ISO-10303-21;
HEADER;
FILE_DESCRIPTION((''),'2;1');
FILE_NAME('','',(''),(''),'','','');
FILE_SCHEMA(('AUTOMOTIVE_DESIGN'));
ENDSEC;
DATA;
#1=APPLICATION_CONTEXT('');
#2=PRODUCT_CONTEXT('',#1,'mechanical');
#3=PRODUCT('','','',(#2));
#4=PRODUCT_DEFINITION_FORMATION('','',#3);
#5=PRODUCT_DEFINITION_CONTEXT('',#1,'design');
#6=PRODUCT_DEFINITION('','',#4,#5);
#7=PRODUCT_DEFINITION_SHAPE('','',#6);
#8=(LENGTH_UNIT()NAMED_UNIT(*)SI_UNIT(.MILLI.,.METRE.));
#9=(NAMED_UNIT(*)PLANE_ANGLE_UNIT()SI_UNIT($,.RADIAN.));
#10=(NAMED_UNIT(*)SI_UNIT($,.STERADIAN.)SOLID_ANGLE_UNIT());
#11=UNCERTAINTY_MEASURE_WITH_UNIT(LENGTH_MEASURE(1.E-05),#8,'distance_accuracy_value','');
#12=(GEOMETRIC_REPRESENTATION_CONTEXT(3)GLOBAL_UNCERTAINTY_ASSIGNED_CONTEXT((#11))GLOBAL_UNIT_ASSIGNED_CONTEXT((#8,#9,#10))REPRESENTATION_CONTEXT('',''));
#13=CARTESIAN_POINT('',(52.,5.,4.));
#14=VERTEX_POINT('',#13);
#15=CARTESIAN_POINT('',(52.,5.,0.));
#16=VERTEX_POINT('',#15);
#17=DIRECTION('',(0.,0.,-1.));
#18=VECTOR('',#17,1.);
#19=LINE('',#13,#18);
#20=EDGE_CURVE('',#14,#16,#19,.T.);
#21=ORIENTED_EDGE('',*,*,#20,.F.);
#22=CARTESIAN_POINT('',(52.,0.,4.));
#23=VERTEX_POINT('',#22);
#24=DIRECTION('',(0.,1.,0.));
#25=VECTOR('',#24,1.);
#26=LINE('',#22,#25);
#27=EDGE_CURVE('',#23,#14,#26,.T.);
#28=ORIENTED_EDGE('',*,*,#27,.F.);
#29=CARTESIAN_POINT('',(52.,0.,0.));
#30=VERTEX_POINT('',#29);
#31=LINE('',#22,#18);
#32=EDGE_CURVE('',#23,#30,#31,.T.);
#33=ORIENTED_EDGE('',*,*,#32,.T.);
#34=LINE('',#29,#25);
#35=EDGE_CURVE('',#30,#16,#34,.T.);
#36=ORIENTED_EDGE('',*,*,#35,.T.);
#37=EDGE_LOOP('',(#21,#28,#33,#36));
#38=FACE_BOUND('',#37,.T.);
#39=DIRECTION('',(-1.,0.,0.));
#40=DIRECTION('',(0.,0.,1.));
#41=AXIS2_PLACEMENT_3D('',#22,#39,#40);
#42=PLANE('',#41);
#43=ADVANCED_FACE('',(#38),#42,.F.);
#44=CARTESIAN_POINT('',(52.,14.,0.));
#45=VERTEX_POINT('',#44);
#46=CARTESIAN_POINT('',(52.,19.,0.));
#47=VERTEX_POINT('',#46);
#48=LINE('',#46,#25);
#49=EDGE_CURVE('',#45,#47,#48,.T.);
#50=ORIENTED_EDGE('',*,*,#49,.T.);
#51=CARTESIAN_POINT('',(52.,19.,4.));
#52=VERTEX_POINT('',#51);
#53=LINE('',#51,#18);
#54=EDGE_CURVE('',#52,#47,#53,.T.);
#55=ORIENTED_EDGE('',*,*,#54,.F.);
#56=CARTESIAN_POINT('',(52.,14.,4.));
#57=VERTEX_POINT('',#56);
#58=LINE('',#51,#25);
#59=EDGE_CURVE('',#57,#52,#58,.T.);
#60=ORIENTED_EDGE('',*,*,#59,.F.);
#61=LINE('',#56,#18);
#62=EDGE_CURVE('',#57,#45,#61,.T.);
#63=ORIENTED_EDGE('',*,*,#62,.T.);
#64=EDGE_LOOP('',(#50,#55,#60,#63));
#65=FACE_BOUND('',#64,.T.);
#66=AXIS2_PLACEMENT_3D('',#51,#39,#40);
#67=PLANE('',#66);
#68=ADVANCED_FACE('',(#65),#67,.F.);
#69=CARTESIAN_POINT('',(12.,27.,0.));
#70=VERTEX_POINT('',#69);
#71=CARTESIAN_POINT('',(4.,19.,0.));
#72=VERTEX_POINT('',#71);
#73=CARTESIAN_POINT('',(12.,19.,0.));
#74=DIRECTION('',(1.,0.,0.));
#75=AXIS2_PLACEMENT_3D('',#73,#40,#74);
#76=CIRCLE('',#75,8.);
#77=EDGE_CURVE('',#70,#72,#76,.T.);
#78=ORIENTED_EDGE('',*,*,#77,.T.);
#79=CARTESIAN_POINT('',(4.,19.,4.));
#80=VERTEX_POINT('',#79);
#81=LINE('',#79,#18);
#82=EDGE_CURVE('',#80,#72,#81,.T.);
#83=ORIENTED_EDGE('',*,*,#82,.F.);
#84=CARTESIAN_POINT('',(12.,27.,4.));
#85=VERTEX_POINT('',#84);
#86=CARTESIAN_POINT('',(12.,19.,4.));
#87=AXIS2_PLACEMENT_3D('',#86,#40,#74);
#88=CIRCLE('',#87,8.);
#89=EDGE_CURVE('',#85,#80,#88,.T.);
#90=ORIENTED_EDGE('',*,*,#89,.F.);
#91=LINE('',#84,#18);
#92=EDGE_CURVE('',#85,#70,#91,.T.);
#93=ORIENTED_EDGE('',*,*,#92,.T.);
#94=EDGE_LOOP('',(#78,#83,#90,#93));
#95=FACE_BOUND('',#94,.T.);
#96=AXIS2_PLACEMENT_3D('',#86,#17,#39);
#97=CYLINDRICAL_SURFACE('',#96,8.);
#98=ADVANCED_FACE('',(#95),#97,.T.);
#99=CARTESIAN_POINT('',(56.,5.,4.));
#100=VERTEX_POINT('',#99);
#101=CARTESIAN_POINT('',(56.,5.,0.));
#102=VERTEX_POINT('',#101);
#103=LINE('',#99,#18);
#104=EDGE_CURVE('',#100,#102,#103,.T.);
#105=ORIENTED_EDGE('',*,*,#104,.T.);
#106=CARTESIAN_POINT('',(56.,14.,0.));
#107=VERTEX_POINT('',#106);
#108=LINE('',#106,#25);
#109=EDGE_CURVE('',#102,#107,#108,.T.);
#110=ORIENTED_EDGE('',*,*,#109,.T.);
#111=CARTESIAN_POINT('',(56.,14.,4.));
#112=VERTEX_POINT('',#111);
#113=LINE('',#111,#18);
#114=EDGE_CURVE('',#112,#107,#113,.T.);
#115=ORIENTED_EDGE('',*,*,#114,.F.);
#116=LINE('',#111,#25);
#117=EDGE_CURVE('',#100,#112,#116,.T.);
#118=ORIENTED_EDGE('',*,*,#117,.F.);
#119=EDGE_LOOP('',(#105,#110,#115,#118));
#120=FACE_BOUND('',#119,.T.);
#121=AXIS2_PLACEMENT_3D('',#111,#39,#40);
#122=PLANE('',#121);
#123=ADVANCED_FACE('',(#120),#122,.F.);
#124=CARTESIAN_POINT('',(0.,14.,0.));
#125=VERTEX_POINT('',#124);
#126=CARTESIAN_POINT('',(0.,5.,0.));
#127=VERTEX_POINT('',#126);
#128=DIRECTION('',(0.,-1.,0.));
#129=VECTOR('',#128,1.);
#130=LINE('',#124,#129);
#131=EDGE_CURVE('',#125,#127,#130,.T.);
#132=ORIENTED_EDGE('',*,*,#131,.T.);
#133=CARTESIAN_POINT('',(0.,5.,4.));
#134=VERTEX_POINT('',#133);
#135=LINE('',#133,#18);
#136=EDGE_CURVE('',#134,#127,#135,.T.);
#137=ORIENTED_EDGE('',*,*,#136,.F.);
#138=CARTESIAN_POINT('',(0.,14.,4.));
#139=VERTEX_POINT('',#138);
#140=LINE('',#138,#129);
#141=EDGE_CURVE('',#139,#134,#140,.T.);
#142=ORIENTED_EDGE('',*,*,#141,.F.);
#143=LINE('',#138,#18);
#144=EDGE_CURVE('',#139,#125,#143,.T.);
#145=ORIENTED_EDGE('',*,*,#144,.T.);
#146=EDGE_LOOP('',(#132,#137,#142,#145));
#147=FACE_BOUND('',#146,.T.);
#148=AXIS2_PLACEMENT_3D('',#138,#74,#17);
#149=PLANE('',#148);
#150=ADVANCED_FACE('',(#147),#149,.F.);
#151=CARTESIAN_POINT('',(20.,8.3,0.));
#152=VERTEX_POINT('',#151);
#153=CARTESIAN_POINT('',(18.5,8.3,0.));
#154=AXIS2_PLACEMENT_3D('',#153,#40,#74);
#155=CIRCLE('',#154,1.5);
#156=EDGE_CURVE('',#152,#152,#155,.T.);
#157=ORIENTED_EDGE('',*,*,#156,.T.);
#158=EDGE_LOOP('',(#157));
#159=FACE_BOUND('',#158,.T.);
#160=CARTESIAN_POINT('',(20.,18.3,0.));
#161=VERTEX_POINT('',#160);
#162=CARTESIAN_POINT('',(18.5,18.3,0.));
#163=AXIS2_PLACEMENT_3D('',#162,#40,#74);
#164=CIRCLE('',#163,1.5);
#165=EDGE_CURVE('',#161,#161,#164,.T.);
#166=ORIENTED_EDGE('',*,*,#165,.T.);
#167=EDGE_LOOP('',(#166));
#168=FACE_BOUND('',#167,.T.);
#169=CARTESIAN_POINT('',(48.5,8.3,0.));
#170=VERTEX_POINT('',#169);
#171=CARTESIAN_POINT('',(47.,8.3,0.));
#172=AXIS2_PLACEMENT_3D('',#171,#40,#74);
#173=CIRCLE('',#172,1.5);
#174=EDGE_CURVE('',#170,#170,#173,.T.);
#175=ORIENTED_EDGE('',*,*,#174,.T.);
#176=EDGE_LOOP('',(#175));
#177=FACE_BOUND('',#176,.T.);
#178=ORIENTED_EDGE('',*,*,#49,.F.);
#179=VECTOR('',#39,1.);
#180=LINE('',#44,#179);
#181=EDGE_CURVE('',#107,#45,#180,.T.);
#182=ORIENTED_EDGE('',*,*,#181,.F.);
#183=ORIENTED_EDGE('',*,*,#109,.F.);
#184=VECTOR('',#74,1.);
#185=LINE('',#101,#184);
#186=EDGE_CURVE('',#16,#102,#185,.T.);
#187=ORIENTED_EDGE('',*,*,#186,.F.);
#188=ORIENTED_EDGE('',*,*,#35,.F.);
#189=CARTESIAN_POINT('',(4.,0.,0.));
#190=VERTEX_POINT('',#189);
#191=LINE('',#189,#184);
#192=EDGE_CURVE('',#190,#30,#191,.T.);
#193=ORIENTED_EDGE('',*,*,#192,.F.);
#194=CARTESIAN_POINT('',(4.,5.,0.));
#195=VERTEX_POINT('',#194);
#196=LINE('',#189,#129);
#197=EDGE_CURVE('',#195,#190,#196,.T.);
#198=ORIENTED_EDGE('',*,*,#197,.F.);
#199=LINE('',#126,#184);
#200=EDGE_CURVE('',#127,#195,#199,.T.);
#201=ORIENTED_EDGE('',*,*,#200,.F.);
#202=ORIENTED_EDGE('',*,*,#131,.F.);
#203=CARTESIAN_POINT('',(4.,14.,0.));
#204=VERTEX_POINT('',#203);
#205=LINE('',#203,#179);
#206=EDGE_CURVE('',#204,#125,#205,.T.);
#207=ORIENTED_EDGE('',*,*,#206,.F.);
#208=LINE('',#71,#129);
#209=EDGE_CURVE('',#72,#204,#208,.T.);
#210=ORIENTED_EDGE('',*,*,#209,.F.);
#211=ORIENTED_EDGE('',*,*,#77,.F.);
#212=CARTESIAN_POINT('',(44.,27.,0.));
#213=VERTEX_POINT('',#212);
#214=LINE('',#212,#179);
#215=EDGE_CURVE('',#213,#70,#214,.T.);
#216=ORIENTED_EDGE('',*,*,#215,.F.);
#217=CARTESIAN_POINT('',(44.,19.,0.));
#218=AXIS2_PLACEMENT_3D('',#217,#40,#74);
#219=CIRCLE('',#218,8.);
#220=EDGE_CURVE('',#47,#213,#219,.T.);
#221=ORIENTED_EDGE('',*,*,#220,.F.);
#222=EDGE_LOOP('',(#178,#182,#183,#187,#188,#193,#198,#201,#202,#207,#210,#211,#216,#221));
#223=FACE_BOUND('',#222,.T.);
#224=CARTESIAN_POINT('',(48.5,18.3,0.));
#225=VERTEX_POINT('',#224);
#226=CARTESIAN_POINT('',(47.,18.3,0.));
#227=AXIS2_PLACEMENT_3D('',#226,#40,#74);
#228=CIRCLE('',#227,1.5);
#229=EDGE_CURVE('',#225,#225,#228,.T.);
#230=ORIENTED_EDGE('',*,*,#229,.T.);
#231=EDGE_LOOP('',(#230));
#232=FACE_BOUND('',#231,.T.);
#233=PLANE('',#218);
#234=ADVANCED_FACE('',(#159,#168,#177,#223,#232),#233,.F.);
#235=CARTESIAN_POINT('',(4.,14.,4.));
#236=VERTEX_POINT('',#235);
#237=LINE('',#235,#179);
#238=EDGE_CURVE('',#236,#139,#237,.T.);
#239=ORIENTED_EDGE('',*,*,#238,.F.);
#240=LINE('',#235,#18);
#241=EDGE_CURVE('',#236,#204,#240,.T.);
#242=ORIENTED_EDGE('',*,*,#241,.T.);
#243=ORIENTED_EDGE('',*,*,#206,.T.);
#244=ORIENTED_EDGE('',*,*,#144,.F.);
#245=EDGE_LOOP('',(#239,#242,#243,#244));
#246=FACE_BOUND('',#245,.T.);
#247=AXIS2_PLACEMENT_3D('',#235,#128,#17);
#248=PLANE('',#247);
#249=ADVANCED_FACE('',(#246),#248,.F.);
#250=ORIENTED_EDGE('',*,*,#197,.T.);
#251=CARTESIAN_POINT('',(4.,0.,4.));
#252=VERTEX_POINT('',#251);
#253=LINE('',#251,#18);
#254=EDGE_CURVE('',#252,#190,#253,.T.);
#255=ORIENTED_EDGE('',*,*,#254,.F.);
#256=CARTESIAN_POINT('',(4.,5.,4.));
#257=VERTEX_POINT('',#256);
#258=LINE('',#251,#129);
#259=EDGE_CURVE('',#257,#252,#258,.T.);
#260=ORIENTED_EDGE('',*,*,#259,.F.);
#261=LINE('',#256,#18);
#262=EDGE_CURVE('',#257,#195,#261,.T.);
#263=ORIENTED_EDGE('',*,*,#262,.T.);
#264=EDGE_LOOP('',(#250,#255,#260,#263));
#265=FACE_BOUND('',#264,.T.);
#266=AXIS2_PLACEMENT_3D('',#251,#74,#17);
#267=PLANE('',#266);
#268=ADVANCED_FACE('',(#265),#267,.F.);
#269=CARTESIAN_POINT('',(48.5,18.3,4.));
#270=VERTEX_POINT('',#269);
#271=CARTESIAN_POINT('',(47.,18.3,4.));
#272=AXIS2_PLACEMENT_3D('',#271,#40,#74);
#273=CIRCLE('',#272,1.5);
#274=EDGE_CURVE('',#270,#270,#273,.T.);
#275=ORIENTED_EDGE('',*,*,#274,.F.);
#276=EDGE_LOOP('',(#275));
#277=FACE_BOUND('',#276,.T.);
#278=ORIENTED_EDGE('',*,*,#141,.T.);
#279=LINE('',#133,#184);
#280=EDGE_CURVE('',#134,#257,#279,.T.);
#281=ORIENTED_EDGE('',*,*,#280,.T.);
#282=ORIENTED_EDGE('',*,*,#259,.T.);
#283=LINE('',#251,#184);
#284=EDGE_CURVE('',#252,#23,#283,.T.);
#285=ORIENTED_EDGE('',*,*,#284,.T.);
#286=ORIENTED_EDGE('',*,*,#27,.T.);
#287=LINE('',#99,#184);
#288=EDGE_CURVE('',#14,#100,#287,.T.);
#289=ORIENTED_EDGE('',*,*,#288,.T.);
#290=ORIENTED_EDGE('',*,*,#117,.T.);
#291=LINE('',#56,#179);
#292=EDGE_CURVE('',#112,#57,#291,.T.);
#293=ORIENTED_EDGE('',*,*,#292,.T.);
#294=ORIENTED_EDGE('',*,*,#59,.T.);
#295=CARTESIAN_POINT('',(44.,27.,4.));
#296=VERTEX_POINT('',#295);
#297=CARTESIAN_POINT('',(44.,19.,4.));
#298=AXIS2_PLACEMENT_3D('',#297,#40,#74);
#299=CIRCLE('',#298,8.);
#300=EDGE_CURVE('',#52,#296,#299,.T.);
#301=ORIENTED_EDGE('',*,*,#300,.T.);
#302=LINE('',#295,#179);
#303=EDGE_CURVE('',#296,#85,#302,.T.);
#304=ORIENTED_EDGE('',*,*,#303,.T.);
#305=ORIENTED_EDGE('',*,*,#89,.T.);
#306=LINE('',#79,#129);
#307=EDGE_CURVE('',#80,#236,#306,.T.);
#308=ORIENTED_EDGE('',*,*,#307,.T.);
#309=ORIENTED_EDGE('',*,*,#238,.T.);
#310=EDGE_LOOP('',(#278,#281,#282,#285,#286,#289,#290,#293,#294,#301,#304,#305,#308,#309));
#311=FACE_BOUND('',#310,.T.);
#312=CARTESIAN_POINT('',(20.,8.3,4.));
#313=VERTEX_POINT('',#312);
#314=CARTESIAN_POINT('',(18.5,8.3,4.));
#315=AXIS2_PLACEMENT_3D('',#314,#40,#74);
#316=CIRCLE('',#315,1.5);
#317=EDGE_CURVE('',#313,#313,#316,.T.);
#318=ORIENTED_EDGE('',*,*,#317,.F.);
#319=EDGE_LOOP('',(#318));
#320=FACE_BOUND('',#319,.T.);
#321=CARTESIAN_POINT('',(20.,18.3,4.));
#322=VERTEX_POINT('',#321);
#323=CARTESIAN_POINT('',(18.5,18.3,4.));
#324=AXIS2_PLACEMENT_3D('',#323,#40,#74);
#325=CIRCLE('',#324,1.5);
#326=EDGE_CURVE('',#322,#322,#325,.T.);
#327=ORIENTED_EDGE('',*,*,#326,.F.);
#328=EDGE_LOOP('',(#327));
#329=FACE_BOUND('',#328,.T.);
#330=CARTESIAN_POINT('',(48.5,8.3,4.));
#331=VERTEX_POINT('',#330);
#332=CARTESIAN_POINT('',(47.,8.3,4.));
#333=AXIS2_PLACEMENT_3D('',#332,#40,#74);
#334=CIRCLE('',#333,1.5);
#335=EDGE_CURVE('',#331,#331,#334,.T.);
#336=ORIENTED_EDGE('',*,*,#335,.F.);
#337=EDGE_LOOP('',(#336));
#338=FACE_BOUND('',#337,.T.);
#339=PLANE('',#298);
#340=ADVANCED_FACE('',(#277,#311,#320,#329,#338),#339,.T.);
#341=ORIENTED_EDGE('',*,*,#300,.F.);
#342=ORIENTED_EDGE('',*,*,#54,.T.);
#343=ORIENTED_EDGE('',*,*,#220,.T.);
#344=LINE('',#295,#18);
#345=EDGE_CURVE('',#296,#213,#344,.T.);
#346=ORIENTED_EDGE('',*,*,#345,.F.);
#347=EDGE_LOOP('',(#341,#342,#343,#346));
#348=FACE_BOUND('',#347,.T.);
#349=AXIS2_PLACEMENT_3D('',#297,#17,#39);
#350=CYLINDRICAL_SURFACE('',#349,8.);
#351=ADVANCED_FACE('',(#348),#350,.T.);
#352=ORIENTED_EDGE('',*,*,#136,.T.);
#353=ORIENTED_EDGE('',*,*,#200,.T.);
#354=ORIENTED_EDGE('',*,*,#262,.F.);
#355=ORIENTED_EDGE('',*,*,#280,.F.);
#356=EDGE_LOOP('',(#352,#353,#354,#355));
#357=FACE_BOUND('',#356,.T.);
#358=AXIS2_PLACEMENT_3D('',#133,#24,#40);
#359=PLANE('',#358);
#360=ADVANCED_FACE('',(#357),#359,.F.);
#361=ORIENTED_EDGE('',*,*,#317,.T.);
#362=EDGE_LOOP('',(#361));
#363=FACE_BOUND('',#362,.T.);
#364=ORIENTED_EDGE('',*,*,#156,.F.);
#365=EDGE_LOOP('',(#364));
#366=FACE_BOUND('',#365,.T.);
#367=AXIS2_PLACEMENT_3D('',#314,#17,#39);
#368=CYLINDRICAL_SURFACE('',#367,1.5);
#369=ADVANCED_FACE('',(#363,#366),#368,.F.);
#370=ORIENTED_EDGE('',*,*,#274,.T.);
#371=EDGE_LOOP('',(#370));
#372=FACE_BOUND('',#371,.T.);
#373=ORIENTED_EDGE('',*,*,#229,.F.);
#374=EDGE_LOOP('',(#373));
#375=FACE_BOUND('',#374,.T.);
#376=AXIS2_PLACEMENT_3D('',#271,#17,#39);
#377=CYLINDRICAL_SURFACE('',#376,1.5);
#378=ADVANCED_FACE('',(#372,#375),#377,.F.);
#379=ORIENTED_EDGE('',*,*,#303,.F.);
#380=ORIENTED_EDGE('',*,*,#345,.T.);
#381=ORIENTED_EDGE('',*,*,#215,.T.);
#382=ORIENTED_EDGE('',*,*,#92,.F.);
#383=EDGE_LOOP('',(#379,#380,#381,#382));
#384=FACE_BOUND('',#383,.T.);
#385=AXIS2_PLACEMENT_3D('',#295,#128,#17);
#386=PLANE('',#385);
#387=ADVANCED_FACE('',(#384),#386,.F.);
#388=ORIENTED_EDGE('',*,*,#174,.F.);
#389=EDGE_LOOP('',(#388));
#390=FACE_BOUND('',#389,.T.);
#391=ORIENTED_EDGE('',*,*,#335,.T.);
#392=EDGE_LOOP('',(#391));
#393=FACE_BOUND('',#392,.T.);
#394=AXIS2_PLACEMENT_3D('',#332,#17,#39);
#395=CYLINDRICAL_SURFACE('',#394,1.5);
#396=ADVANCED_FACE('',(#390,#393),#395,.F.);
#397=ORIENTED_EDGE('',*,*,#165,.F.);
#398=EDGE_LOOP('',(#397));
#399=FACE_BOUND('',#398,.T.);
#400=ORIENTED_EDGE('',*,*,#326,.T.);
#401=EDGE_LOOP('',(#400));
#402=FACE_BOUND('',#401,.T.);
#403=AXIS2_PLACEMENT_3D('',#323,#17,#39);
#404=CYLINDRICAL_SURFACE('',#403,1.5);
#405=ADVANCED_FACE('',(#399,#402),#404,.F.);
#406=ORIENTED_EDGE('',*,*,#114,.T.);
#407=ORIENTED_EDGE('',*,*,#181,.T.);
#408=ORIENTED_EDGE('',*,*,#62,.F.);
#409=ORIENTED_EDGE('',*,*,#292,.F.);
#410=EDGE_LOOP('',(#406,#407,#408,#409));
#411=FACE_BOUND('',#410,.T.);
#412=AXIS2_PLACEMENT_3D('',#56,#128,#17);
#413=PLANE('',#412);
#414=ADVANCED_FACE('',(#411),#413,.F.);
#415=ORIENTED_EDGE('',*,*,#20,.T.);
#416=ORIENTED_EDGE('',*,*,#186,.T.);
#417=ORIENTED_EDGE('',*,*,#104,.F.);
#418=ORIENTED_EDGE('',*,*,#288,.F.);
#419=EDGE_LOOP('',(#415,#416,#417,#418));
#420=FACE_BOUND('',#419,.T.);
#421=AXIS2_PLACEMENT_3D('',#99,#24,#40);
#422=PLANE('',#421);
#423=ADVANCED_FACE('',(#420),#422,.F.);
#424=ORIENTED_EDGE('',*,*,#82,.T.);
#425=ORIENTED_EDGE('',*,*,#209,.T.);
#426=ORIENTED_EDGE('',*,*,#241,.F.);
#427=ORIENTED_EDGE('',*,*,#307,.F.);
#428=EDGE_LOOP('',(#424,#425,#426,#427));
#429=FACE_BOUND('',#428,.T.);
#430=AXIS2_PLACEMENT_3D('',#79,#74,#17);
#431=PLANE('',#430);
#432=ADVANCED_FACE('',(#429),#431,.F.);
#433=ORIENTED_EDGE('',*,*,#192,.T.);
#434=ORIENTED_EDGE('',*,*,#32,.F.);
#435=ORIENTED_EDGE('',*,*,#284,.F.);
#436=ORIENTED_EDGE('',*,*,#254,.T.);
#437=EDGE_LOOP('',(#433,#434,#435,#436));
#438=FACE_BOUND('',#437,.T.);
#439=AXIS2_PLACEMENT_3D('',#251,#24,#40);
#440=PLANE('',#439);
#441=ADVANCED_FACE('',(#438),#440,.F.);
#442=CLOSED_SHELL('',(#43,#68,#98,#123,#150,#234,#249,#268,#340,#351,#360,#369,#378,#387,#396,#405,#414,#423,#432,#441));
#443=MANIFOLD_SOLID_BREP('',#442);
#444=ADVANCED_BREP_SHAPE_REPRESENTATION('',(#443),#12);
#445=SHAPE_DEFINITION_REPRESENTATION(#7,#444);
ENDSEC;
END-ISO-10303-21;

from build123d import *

# Parameters (mm, degrees)
SKETCH1_R           = 1.5
BOSS_EXTRUDE1_DEPTH = 4


with BuildPart() as part:
    # Sketch1 → Boss-Extrude1 (new body)
    with BuildSketch(Plane.XY):
        with BuildLine():
            Line((3.999999567, 13.999999851), (-4.33e-07, 13.999999851))
            Line((-4.33e-07, 13.999999851), (-4.33e-07, 4.999999851))
            Line((-4.33e-07, 4.999999851), (3.999999567, 4.999999851))
            Line((3.999999567, 4.999999851), (3.999999567, -1.49e-07))
            Line((3.999999567, -1.49e-07), (51.999999567, -1.49e-07))
            Line((51.999999567, -1.49e-07), (51.999999567, 4.999999851))
            Line((51.999999567, 4.999999851), (55.999999567, 4.999999851))
            Line((55.999999567, 4.999999851), (55.999999567, 13.999999851))
            Line((55.999999567, 13.999999851), (51.999999567, 13.999999851))
            Line((51.999999567, 13.999999851), (51.999999567, 18.999999851))
            ThreePointArc((51.999999567, 18.999999851), (49.656853817, 24.6568541), (43.999999567, 26.999999851))
            Line((43.999999567, 26.999999851), (11.999999567, 26.999999851))
            ThreePointArc((11.999999567, 26.999999851), (6.343145318, 24.6568541), (3.999999567, 18.999999851))
            Line((3.999999567, 18.999999851), (3.999999567, 13.999999851))
        make_face()
        with Locations((46.999999567, 18.299999851)):
            Circle(SKETCH1_R, mode=Mode.SUBTRACT)
        with Locations((46.999999567, 8.299999851)):
            Circle(SKETCH1_R, mode=Mode.SUBTRACT)
        with Locations((18.499999567, 18.299999851)):
            Circle(SKETCH1_R, mode=Mode.SUBTRACT)
        with Locations((18.499999567, 8.299999851)):
            Circle(SKETCH1_R, mode=Mode.SUBTRACT)
    extrude(amount=BOSS_EXTRUDE1_DEPTH)


solid = part.part
